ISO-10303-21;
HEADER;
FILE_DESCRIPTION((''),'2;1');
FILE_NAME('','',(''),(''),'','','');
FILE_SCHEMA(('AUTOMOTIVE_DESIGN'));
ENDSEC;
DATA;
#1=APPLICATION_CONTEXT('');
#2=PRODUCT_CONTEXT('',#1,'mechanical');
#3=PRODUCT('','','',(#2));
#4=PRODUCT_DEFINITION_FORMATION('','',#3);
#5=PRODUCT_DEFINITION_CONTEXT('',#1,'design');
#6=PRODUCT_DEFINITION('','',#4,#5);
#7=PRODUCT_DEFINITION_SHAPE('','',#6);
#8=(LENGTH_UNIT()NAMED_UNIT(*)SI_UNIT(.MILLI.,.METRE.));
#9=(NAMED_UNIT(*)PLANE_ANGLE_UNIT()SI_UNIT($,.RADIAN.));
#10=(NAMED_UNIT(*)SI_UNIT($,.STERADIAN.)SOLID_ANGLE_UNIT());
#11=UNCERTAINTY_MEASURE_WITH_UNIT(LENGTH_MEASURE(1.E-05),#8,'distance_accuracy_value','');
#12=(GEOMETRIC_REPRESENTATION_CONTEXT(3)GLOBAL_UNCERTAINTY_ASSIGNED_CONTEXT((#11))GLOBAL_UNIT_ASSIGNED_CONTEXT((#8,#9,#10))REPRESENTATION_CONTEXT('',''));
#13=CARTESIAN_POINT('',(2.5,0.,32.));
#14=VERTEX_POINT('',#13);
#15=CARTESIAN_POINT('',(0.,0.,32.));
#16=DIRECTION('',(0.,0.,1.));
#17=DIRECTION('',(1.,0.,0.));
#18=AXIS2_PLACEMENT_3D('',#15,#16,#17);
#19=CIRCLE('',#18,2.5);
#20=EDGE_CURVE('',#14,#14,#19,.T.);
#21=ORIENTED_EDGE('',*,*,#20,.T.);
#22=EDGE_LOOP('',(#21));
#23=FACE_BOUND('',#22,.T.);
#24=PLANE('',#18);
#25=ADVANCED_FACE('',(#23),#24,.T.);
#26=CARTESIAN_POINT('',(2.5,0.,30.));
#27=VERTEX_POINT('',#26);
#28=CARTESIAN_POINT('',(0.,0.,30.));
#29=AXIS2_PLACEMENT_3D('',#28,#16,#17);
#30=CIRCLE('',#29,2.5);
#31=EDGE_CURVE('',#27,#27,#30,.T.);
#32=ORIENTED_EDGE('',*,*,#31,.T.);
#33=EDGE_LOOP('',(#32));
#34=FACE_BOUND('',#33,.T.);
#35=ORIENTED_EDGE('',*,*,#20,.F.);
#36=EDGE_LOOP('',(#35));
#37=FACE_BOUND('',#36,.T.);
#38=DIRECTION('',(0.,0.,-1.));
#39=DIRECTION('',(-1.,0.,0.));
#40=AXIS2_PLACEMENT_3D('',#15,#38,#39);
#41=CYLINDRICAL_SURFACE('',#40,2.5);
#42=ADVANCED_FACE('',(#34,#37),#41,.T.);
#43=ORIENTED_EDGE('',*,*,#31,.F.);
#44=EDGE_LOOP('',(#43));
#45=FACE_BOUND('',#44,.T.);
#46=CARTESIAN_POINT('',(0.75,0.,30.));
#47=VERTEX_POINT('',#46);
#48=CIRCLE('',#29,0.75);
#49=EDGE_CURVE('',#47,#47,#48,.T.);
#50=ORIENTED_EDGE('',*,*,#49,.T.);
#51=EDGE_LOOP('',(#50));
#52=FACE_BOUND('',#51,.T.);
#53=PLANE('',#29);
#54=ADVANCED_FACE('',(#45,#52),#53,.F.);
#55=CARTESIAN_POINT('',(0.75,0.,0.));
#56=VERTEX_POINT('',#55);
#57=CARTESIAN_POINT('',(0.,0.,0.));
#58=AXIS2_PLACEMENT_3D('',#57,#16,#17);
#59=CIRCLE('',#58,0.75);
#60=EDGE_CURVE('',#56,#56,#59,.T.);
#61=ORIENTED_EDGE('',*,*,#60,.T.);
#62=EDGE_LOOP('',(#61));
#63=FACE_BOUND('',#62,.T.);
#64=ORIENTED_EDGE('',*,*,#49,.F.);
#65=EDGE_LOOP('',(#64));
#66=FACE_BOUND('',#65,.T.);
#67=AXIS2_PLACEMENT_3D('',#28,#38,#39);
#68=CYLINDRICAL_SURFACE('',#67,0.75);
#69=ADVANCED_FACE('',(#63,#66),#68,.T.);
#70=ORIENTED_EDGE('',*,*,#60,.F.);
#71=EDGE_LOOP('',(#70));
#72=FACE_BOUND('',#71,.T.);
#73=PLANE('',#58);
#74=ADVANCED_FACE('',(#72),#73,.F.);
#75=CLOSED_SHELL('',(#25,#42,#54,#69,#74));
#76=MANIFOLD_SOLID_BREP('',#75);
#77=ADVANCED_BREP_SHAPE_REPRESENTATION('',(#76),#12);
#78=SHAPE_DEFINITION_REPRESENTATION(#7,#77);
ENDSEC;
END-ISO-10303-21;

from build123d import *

# Parameters (mm, degrees)
SKETCH_1_R      = 0.75
EXTRUDE_1_DEPTH = 30
SKETCH_2_R      = 2.5
EXTRUDE_2_DEPTH = 2


with BuildPart() as part:
    # 草图1 → 凸台-拉伸1 (new body)
    with BuildSketch(Plane.XY):
        Circle(SKETCH_1_R)
    extrude(amount=EXTRUDE_1_DEPTH)

    # 草图2 → 凸台-拉伸2 (add)
    with BuildSketch(Plane.XY.offset(30)):
        Circle(SKETCH_2_R)
    extrude(amount=EXTRUDE_2_DEPTH)


solid = part.part
